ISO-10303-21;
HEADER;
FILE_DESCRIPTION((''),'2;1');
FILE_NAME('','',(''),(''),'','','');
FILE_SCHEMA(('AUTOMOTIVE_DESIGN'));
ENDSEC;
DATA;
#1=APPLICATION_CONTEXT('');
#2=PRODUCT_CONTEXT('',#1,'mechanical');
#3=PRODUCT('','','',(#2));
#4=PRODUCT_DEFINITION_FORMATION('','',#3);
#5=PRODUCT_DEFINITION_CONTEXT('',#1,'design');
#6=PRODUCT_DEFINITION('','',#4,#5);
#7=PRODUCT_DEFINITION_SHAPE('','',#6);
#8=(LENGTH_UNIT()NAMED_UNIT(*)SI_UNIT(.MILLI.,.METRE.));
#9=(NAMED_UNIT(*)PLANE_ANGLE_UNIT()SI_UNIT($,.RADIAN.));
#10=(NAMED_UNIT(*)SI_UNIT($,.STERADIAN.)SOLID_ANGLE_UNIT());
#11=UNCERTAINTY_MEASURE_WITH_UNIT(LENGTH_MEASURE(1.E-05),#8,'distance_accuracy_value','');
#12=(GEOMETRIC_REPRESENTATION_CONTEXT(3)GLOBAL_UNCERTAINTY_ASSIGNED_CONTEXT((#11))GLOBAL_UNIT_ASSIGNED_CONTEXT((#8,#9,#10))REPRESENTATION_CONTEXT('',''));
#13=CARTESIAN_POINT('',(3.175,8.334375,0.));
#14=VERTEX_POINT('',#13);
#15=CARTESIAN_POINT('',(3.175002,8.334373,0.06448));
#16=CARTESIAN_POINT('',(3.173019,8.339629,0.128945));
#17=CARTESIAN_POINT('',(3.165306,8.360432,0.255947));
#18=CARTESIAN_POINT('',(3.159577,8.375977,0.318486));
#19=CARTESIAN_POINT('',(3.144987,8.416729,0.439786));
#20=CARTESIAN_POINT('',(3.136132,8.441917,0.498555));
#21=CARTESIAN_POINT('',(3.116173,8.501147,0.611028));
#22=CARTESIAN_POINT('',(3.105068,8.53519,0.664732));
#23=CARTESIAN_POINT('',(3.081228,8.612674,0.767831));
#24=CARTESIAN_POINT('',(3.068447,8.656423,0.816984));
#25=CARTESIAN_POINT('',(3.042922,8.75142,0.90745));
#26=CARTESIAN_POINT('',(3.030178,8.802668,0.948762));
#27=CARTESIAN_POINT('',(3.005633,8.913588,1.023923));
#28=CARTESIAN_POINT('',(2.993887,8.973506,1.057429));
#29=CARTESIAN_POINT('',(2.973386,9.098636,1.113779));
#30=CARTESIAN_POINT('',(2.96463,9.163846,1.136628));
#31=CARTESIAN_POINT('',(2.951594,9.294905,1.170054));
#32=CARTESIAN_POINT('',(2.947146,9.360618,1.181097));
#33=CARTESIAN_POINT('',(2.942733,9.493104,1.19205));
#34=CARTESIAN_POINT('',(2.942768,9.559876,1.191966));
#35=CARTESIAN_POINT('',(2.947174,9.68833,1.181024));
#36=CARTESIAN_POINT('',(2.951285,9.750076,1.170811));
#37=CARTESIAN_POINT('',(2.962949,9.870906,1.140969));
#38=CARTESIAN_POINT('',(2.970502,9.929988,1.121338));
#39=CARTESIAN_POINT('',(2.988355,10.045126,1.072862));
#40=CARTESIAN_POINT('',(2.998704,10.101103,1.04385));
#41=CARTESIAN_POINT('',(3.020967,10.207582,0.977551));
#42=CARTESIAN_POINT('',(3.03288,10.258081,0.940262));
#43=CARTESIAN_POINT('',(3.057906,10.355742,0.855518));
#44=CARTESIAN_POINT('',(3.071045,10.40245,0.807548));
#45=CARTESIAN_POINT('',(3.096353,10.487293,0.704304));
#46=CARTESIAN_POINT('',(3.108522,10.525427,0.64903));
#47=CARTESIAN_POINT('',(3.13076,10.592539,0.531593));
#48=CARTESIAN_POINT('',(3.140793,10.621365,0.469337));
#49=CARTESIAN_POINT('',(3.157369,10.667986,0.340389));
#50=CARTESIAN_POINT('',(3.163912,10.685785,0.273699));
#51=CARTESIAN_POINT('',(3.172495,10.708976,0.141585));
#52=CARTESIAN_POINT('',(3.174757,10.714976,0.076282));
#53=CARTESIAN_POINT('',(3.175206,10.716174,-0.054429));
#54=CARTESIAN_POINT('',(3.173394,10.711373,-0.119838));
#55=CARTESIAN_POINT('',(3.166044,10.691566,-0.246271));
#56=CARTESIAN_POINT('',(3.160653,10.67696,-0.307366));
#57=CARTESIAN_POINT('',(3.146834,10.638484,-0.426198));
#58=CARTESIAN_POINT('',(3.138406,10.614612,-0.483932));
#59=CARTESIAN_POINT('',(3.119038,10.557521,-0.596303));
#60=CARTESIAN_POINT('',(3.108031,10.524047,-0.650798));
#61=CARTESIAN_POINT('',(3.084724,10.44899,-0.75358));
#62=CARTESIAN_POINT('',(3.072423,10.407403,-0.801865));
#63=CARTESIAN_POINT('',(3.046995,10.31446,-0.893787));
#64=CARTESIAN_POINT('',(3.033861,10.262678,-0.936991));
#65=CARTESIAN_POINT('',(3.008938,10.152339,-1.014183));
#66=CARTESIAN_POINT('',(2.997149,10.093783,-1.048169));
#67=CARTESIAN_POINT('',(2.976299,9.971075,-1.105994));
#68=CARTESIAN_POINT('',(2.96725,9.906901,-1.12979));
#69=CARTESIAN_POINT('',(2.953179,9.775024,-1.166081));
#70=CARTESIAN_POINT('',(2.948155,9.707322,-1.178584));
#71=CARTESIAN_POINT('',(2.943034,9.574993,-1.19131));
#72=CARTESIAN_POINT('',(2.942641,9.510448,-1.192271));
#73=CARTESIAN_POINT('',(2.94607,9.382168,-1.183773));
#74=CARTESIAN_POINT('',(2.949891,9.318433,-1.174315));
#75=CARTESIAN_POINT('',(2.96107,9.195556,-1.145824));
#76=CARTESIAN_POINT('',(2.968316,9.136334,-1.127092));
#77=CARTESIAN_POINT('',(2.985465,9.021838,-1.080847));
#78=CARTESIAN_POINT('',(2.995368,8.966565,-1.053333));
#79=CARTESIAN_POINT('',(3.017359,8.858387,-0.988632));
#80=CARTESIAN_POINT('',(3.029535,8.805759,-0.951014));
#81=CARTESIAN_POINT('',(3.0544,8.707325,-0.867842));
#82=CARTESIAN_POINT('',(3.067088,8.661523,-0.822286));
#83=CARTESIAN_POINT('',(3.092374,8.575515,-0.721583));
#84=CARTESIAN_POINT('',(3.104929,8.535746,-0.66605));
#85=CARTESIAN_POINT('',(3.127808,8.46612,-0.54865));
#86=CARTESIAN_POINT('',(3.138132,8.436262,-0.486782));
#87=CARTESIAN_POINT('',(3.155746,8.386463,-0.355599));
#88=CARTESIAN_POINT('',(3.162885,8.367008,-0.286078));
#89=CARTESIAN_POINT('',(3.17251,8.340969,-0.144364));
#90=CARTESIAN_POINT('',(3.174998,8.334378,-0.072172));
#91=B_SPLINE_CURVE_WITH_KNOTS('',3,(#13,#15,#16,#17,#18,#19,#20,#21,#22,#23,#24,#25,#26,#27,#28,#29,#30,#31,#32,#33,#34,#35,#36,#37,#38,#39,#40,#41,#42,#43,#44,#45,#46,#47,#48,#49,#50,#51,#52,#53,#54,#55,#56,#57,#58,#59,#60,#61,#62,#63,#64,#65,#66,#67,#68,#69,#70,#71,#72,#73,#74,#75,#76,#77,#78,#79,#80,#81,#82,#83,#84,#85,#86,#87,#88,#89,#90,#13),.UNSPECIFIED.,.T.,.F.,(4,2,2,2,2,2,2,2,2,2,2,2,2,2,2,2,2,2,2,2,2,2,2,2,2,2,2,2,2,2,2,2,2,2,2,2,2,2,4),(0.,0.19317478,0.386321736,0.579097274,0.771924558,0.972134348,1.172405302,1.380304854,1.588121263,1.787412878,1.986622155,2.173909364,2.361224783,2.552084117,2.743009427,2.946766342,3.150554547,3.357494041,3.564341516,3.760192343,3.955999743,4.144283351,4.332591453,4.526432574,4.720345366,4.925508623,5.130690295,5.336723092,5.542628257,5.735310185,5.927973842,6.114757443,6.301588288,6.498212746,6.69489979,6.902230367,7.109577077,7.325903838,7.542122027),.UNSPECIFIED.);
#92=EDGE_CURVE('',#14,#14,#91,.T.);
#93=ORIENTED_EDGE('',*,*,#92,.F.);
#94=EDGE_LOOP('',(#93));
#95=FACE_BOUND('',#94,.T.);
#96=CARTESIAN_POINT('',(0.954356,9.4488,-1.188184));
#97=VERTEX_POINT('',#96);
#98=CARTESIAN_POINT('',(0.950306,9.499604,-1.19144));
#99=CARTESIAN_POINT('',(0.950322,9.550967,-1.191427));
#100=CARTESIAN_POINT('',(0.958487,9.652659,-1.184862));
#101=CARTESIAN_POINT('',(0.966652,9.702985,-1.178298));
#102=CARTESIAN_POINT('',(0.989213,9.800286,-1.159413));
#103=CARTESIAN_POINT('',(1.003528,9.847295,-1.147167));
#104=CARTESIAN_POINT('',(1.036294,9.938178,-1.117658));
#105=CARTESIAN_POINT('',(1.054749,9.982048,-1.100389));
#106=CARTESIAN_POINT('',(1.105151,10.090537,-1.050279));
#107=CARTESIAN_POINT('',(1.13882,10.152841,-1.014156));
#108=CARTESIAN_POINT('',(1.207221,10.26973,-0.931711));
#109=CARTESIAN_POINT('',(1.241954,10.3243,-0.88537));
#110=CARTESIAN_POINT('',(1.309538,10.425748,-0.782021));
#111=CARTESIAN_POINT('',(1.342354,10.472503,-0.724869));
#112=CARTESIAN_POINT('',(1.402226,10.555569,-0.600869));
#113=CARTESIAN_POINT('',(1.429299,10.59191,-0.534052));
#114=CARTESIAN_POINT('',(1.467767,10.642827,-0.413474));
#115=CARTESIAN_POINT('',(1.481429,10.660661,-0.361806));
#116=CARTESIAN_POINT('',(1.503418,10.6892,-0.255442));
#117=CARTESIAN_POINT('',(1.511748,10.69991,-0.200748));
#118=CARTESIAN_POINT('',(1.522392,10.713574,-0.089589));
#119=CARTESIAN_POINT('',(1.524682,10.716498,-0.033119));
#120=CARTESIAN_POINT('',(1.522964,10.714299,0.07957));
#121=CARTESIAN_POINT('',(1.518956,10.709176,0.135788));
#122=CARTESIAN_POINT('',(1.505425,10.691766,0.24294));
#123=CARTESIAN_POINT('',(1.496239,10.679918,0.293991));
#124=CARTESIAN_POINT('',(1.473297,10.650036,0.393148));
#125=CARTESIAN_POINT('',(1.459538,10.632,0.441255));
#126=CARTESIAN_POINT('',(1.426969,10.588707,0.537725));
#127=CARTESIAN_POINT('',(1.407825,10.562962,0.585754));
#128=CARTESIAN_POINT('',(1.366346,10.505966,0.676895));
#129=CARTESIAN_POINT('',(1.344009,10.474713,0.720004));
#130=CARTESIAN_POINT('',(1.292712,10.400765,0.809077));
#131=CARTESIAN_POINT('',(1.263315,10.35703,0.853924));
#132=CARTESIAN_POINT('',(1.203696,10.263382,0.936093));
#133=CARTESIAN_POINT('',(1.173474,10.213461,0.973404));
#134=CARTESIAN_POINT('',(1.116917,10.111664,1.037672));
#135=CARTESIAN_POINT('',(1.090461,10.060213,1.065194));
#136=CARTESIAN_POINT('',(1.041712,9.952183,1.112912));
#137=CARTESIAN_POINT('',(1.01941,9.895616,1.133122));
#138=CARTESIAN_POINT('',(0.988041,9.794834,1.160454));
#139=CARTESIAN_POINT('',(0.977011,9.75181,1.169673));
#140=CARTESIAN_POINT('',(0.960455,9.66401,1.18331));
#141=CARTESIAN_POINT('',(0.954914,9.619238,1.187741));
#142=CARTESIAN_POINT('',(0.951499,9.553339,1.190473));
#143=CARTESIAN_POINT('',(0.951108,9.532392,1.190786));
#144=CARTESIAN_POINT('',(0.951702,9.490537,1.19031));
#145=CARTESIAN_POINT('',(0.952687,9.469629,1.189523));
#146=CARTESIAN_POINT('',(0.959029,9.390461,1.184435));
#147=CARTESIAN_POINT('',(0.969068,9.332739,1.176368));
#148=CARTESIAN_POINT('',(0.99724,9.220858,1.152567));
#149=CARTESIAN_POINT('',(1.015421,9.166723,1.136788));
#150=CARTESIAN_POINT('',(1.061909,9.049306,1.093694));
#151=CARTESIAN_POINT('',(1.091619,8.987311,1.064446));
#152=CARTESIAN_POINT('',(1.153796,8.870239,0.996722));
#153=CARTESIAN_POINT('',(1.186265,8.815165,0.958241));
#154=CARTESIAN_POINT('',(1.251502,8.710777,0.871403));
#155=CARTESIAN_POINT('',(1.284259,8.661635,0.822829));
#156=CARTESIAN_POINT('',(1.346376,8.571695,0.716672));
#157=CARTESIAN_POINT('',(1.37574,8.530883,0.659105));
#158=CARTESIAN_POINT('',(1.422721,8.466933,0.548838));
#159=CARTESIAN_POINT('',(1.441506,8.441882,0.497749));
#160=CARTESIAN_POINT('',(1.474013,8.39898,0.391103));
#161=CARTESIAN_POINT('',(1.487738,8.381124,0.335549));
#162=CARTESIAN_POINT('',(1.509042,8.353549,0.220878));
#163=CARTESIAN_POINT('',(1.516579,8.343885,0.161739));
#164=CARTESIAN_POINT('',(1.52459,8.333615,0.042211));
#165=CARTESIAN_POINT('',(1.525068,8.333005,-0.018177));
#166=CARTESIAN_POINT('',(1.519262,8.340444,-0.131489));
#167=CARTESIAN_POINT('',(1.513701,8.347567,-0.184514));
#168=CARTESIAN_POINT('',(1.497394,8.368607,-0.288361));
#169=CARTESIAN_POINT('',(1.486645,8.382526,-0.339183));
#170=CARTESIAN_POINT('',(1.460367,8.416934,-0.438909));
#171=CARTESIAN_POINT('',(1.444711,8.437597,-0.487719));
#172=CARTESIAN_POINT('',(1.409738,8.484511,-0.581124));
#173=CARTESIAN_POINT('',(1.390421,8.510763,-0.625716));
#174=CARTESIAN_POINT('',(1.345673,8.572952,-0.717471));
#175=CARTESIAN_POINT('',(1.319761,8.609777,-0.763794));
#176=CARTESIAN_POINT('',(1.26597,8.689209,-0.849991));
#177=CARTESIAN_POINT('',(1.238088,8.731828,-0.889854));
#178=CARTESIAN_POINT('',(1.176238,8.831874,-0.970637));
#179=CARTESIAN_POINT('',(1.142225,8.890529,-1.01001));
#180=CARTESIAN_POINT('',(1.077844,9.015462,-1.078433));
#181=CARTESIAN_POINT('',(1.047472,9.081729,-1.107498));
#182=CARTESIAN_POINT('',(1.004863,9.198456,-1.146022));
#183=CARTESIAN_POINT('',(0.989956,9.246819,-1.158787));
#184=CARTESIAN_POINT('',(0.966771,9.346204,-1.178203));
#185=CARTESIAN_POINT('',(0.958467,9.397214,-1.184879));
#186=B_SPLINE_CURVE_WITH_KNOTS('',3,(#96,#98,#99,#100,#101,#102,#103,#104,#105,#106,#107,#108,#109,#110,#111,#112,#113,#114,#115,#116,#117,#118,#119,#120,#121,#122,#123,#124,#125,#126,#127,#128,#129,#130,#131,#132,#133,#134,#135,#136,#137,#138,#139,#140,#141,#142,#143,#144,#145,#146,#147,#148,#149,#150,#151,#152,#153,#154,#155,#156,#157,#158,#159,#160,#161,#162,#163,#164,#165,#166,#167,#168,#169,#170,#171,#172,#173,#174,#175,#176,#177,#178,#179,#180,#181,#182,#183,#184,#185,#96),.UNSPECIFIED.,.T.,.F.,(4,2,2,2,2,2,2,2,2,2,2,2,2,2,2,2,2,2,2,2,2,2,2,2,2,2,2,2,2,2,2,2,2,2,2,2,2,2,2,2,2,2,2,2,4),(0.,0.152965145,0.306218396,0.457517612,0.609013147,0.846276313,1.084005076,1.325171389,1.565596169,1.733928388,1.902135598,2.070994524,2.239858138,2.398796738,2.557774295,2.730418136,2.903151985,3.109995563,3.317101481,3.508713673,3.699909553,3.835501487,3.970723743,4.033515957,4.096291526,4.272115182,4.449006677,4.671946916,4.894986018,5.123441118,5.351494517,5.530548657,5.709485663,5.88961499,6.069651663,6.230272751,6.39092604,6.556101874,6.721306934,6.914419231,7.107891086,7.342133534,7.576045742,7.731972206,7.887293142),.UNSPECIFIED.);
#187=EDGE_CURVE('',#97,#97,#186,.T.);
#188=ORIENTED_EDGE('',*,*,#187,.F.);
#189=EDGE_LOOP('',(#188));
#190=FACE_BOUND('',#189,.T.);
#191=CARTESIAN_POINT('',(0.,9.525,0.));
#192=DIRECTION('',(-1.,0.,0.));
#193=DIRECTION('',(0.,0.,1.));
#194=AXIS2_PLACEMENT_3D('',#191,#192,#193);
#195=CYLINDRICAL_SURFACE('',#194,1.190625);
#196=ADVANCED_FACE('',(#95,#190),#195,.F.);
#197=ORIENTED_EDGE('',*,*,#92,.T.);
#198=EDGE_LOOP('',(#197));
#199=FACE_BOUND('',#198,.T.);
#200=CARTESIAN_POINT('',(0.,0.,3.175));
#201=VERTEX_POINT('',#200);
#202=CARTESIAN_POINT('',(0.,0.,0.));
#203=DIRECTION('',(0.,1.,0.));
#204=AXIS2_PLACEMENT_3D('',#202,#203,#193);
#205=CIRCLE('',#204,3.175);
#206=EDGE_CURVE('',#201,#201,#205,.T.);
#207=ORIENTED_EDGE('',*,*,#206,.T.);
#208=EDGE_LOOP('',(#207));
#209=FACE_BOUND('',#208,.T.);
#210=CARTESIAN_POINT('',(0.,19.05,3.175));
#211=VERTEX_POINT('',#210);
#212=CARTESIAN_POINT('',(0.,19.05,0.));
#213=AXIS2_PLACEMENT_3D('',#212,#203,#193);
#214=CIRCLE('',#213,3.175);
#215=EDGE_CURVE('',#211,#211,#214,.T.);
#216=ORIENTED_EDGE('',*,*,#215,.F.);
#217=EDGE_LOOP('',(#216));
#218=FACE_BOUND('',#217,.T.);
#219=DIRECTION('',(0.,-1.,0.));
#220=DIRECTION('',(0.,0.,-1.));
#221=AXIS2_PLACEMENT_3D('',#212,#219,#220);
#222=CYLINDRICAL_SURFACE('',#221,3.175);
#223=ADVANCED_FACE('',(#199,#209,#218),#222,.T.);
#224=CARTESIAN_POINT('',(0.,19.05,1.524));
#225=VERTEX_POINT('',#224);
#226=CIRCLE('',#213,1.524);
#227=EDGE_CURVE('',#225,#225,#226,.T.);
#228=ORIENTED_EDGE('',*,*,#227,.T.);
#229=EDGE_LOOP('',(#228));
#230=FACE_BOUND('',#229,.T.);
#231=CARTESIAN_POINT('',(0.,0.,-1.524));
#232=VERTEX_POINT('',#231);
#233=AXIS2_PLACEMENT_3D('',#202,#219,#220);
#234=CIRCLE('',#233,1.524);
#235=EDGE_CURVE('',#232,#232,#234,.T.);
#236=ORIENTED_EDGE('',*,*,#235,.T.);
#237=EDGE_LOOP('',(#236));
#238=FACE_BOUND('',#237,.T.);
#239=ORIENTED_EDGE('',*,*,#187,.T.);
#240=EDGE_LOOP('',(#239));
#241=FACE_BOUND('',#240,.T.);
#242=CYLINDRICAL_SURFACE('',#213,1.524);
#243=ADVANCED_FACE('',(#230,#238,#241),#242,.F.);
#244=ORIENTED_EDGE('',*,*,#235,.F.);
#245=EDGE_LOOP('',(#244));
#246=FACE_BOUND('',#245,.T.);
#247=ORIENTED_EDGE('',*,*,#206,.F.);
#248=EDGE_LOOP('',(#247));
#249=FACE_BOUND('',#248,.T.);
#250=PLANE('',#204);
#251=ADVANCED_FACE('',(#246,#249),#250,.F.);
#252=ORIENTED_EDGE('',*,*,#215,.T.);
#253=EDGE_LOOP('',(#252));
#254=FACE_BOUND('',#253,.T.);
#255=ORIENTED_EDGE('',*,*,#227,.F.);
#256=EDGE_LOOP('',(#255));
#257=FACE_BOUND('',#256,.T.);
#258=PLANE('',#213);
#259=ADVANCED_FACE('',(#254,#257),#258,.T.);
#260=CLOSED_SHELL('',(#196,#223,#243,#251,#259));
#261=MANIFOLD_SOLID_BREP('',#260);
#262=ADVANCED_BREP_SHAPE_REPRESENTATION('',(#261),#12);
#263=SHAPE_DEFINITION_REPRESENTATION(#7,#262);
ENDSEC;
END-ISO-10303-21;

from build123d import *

# Parameters (mm, degrees)
SKETCH1_R                            = 3.175
SKETCH1_R_2                          = 1.5875
BOSS_EXTRUDE1_DEPTH                  = 19.05
TAPPED_HOLE_FOR_4_40_HELICOIL2_D     = 3.048
TAPPED_HOLE_FOR_4_40_HELICOIL2_DEPTH = 9.6012
TAPPED_HOLE_FOR_4_40_HELICOIL2_TIP   = 0.915711583
SKETCH7_W                            = 1.190625
SKETCH7_H                            = 3.175
TAPPED_HOLE_FOR_4_40_HELICOIL3_D     = 3.048
TAPPED_HOLE_FOR_4_40_HELICOIL3_DEPTH = 9.6012
TAPPED_HOLE_FOR_4_40_HELICOIL3_TIP   = 0.915711583


with BuildPart() as part:
    # Sketch1 → Boss-Extrude1 (new body)
    with BuildSketch(Plane(origin=(0, 0, 0), x_dir=(1, 0, 0), z_dir=(0, 1, 0))):
        with Locations(Location((0, 0, 0), (0, 0, 270))):  # turned: the seam where the file's is
            Circle(SKETCH1_R)
        Circle(SKETCH1_R_2, mode=Mode.SUBTRACT)
        Circle(SKETCH1_R_2)
    extrude(amount=BOSS_EXTRUDE1_DEPTH)

    # Tapped Hole for #4-40 Helicoil2
    with Locations(Plane(origin=(0, 19.05, 0), x_dir=(1, 0, 0), z_dir=(0, 1, 0))):
        with Locations((0, 0)):
            Hole(TAPPED_HOLE_FOR_4_40_HELICOIL2_D / 2, depth=TAPPED_HOLE_FOR_4_40_HELICOIL2_DEPTH)
            with Locations((0, 0, -(TAPPED_HOLE_FOR_4_40_HELICOIL2_DEPTH + TAPPED_HOLE_FOR_4_40_HELICOIL2_TIP / 2))):  # 118° drill point
                Cone(0, TAPPED_HOLE_FOR_4_40_HELICOIL2_D / 2, TAPPED_HOLE_FOR_4_40_HELICOIL2_TIP, mode=Mode.SUBTRACT)

    # Sketch7 → 3/32 (0.09375) Diameter Hole1 (revolve, cut)
    with BuildSketch(Plane.ZX.offset(9.525)):
        with Locations((0.5953125, 1.5875)):
            Rectangle(SKETCH7_W, SKETCH7_H)
    revolve(axis=Axis((-6.35, 9.525, 0), (1, 0, 0)), mode=Mode.SUBTRACT)

    # Tapped Hole for #4-40 Helicoil3
    with Locations(Plane(origin=(0, 0, 0), x_dir=(-1, 0, 0), z_dir=(0, -1, 0))):
        with Locations((0, 0)):
            Hole(TAPPED_HOLE_FOR_4_40_HELICOIL3_D / 2, depth=TAPPED_HOLE_FOR_4_40_HELICOIL3_DEPTH)
            with Locations((0, 0, -(TAPPED_HOLE_FOR_4_40_HELICOIL3_DEPTH + TAPPED_HOLE_FOR_4_40_HELICOIL3_TIP / 2))):  # 118° drill point
                Cone(0, TAPPED_HOLE_FOR_4_40_HELICOIL3_D / 2, TAPPED_HOLE_FOR_4_40_HELICOIL3_TIP, mode=Mode.SUBTRACT)


solid = part.part
